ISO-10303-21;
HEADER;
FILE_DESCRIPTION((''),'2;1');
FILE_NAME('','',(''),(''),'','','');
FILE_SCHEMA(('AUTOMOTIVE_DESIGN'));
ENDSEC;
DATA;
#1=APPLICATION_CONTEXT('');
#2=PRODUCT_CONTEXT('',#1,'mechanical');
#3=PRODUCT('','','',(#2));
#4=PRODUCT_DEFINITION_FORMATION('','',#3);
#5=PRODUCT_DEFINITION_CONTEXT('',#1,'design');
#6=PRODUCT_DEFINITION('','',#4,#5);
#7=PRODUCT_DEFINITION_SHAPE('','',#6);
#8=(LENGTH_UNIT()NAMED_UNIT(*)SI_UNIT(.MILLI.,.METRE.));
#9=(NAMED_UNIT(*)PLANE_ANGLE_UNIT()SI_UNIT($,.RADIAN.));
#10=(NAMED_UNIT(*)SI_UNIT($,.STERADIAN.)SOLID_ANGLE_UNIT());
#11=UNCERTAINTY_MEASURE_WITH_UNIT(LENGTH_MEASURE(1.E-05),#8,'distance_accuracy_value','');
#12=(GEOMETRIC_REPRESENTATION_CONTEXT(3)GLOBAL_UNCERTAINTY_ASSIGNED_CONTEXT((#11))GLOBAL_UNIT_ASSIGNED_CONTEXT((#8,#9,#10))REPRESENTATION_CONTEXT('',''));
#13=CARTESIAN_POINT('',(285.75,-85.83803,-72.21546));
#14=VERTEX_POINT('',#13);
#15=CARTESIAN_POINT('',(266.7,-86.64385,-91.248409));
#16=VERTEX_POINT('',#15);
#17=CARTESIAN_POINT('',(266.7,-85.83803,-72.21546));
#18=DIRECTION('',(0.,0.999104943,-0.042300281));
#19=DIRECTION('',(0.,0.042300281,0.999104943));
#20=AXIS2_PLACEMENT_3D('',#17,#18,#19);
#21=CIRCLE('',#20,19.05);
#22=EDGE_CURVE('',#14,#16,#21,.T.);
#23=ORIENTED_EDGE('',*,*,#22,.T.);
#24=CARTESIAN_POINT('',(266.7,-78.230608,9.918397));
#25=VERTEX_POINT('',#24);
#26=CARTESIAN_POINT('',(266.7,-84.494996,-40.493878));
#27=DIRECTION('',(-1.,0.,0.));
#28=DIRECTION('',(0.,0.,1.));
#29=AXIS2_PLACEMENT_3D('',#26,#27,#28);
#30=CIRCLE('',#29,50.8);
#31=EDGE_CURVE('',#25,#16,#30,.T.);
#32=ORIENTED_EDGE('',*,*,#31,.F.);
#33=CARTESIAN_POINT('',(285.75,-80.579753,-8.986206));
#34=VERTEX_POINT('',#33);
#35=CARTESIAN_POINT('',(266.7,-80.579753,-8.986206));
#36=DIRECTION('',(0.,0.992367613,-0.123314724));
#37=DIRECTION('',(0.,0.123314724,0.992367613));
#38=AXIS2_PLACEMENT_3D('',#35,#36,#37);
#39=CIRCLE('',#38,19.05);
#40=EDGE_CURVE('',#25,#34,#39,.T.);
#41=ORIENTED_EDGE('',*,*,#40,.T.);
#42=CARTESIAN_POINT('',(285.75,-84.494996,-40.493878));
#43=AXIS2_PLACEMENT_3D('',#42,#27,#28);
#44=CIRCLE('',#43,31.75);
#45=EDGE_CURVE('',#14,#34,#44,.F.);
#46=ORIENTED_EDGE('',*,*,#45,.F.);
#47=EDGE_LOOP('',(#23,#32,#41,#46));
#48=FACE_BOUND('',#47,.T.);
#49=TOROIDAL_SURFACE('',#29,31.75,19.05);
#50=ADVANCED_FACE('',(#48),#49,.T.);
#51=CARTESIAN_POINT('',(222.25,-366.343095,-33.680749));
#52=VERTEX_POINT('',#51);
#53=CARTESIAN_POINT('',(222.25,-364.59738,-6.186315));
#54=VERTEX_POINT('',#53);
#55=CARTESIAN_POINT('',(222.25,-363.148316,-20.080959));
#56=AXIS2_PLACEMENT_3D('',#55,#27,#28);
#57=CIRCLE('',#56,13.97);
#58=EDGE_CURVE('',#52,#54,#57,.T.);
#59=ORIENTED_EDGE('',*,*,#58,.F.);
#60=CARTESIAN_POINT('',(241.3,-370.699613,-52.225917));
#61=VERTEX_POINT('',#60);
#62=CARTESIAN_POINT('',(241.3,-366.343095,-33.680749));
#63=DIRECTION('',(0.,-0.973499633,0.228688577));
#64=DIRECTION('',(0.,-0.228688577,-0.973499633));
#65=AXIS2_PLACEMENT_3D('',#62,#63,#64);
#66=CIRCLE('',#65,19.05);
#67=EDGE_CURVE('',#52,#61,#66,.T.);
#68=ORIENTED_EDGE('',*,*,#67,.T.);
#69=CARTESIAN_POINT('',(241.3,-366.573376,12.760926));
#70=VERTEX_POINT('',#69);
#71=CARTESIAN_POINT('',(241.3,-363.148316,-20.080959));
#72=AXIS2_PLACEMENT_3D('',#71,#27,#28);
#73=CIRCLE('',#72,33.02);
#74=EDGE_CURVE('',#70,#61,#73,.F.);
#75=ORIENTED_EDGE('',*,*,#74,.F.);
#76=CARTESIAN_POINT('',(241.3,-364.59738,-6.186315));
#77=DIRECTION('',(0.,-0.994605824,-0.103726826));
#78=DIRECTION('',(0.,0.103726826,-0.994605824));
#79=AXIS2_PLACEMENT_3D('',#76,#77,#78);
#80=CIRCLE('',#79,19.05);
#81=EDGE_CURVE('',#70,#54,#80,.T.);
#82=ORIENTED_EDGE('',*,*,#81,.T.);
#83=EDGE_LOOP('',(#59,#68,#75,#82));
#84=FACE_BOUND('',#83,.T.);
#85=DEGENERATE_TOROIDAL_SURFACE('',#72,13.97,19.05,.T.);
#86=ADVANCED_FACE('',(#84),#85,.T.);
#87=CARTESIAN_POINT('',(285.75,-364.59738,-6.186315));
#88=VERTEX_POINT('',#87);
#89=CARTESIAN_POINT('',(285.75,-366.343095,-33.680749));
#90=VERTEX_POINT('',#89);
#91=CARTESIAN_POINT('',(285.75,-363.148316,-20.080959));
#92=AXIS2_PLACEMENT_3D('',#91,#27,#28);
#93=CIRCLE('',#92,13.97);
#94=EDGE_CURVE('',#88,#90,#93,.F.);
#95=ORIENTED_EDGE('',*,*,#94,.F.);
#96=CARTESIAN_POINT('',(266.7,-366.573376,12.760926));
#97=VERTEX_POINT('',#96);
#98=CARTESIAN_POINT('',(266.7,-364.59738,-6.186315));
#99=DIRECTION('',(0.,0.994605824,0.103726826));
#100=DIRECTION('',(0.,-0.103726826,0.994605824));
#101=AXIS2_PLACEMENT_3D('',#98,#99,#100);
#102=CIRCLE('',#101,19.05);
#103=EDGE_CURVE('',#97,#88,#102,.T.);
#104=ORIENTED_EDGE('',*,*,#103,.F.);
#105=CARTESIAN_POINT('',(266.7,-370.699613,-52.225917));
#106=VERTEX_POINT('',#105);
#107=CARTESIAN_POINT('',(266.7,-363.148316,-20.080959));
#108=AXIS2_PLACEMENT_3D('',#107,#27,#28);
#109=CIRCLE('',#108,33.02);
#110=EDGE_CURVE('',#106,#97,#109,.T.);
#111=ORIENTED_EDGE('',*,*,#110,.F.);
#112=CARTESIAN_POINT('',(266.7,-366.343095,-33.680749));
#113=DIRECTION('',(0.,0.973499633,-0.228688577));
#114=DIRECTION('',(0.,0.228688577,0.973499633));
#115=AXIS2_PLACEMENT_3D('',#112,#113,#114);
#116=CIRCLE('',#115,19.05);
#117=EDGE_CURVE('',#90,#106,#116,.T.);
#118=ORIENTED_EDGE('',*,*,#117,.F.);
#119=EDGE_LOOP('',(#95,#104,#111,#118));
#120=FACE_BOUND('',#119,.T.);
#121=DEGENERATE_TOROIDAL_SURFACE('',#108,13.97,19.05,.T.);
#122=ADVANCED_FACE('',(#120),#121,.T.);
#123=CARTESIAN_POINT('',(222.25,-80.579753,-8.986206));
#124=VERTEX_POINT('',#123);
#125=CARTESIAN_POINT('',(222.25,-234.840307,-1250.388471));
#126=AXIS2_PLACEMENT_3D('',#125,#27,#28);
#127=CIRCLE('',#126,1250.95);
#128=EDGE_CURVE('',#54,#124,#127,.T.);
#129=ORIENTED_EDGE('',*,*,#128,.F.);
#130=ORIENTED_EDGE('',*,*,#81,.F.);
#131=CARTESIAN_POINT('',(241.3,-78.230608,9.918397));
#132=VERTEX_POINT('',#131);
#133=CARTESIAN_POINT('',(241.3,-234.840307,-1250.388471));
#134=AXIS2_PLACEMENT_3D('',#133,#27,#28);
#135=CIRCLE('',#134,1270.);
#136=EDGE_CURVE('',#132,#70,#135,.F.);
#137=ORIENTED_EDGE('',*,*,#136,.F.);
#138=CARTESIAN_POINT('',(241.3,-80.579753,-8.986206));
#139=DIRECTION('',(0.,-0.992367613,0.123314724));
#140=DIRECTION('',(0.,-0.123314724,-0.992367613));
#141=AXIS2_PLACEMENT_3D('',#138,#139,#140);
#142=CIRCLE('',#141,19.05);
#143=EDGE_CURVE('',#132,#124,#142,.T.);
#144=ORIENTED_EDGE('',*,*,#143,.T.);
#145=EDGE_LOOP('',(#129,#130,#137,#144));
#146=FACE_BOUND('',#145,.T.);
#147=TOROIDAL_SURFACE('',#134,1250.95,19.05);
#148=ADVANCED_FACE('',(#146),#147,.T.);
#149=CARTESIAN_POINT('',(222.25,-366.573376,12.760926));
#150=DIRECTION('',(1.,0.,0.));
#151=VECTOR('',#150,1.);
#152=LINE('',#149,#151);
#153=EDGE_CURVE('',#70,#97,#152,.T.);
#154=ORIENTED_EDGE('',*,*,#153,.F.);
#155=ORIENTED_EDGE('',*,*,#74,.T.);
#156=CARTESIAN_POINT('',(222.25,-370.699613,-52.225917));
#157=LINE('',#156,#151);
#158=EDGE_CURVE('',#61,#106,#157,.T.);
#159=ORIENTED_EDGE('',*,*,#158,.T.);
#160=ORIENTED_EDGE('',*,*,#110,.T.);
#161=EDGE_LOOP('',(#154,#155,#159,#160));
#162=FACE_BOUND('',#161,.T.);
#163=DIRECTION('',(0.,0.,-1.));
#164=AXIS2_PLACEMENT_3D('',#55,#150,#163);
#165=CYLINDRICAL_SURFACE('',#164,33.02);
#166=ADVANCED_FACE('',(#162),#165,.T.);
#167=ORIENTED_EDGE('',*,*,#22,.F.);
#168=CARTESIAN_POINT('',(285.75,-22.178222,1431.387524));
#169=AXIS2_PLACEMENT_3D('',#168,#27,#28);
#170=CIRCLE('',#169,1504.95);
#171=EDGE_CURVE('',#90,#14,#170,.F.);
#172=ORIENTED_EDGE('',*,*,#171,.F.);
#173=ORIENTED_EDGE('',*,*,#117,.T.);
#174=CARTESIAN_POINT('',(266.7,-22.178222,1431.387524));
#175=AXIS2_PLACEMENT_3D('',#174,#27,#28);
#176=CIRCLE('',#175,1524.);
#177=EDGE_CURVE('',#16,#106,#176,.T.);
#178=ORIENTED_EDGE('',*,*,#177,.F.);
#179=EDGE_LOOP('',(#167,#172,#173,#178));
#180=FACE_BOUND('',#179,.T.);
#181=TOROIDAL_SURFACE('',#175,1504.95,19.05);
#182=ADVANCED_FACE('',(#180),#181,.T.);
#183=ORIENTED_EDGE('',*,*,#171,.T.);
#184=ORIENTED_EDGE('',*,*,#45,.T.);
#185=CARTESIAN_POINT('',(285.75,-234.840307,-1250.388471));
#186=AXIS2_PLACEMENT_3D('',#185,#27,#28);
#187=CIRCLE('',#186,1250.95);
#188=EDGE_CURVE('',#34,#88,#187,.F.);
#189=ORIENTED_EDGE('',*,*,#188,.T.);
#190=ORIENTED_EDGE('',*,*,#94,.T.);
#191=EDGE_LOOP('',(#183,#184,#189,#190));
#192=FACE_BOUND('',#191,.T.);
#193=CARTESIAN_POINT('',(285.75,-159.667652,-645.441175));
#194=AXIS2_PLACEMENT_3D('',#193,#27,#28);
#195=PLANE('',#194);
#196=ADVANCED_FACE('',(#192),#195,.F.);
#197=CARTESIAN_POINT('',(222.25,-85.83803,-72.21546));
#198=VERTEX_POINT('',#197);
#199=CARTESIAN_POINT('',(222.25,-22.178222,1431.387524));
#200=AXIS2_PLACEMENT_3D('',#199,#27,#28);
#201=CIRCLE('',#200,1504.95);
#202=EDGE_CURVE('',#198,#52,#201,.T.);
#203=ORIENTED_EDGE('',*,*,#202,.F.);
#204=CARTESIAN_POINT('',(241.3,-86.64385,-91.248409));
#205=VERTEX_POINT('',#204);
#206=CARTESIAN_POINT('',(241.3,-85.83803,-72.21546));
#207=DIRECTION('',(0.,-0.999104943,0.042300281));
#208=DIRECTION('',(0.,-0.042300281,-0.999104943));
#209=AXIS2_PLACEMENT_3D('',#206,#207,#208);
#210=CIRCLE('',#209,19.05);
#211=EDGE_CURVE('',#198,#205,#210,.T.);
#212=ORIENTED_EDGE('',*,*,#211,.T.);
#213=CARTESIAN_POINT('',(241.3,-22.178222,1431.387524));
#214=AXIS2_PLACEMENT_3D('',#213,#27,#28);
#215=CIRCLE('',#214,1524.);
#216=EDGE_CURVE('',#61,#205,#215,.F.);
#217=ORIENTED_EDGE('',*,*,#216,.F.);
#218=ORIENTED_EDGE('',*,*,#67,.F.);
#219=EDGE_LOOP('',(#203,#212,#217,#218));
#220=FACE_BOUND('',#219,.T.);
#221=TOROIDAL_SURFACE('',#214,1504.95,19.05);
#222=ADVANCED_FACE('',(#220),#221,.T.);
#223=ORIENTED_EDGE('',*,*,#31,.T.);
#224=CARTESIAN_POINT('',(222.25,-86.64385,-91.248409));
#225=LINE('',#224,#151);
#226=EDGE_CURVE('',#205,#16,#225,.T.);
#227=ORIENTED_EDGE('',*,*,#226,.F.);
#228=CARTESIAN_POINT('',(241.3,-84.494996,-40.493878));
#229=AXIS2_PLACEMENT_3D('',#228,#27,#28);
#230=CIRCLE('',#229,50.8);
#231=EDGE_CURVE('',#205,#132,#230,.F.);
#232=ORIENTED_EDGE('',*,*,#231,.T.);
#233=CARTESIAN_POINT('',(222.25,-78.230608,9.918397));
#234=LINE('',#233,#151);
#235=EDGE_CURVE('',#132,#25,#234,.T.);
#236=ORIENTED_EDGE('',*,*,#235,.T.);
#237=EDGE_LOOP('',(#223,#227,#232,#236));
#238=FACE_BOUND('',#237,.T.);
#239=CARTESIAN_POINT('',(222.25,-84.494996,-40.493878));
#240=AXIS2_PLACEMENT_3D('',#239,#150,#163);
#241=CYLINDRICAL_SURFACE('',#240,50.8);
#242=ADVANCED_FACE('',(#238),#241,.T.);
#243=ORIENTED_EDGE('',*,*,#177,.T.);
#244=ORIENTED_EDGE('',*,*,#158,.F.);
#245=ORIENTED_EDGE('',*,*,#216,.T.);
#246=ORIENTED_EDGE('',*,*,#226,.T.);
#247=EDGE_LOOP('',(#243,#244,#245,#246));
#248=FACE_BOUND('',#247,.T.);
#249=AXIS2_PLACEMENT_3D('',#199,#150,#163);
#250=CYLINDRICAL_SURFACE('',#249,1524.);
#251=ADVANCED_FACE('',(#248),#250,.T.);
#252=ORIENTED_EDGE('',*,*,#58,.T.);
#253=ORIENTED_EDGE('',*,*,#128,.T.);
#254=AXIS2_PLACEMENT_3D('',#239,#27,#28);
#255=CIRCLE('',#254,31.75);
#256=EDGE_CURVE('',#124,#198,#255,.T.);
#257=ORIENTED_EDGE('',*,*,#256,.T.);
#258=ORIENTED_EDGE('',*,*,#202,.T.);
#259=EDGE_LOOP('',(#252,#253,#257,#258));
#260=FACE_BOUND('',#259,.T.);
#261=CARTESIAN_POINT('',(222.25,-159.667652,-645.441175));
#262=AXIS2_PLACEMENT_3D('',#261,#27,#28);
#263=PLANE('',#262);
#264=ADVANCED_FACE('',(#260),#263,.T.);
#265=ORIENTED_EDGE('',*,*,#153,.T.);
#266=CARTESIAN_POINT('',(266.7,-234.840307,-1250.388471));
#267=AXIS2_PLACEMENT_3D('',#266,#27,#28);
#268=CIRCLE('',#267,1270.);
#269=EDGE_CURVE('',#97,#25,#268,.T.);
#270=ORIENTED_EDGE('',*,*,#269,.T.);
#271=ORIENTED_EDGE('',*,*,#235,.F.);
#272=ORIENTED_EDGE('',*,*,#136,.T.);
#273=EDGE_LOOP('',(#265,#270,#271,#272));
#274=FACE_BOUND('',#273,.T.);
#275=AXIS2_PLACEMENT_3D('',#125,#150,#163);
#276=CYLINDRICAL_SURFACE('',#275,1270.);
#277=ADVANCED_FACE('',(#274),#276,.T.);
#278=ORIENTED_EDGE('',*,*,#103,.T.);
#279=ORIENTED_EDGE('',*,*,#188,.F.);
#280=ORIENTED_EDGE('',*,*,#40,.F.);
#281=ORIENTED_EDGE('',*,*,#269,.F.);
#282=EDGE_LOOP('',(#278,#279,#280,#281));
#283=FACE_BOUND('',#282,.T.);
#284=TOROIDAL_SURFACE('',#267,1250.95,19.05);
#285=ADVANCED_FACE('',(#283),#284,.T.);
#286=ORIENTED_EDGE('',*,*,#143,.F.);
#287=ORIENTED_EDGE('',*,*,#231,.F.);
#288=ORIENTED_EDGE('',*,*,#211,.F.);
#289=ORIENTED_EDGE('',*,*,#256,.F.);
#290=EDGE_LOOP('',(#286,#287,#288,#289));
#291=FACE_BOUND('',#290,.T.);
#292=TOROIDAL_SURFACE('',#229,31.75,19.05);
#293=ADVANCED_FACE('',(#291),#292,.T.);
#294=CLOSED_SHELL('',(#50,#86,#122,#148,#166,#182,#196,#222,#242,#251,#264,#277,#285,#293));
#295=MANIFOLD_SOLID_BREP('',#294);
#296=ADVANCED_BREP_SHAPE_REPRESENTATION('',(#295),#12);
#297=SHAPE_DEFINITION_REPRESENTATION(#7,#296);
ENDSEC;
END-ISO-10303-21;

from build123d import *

# Parameters (mm, degrees)
BASE_EXTRUDE_DEPTH = 31.75
FILLET1_R          = 19.05


with BuildPart() as part:
    # Sketch5 → Base-Extrude (new, symmetric)
    with BuildSketch(Plane.ZY.offset(-254)):
        with BuildLine():
            ThreePointArc((9.918396921, -78.230607992), (-44.703978299, -33.86975469), (-91.248408889, -86.643850244))
            ThreePointArc((-91.248408889, -86.643850244), (-78.432247724, -229.591476611), (-52.225916685, -370.69961275))
            ThreePointArc((-52.225916685, -370.69961275), (-17.988619307, -396.10195786), (12.760925504, -366.573375727))
            ThreePointArc((12.760925504, -366.573375727), (19.549821807, -222.321054799), (9.918396921, -78.230607992))
        make_face()
    extrude(amount=BASE_EXTRUDE_DEPTH, both=True)

    # Fillet1
    fillet1_edges = [part.edges().sort_by_distance(p)[0] for p in [
        (222.25, -229.591476611, -78.432247724),
        (222.25, -396.10195786, -17.988619307),
        (222.25, -222.321054799, 19.549821807),
        (285.75, -396.10195786, -17.988619307),
        (285.75, -229.591476611, -78.432247724),
        (285.75, -33.86975469, -44.703978299),
        (285.75, -222.321054799, 19.549821807),
        (222.25, -33.86975469, -44.703978299),
    ]]
    fillet(fillet1_edges, radius=FILLET1_R)


solid = part.part
